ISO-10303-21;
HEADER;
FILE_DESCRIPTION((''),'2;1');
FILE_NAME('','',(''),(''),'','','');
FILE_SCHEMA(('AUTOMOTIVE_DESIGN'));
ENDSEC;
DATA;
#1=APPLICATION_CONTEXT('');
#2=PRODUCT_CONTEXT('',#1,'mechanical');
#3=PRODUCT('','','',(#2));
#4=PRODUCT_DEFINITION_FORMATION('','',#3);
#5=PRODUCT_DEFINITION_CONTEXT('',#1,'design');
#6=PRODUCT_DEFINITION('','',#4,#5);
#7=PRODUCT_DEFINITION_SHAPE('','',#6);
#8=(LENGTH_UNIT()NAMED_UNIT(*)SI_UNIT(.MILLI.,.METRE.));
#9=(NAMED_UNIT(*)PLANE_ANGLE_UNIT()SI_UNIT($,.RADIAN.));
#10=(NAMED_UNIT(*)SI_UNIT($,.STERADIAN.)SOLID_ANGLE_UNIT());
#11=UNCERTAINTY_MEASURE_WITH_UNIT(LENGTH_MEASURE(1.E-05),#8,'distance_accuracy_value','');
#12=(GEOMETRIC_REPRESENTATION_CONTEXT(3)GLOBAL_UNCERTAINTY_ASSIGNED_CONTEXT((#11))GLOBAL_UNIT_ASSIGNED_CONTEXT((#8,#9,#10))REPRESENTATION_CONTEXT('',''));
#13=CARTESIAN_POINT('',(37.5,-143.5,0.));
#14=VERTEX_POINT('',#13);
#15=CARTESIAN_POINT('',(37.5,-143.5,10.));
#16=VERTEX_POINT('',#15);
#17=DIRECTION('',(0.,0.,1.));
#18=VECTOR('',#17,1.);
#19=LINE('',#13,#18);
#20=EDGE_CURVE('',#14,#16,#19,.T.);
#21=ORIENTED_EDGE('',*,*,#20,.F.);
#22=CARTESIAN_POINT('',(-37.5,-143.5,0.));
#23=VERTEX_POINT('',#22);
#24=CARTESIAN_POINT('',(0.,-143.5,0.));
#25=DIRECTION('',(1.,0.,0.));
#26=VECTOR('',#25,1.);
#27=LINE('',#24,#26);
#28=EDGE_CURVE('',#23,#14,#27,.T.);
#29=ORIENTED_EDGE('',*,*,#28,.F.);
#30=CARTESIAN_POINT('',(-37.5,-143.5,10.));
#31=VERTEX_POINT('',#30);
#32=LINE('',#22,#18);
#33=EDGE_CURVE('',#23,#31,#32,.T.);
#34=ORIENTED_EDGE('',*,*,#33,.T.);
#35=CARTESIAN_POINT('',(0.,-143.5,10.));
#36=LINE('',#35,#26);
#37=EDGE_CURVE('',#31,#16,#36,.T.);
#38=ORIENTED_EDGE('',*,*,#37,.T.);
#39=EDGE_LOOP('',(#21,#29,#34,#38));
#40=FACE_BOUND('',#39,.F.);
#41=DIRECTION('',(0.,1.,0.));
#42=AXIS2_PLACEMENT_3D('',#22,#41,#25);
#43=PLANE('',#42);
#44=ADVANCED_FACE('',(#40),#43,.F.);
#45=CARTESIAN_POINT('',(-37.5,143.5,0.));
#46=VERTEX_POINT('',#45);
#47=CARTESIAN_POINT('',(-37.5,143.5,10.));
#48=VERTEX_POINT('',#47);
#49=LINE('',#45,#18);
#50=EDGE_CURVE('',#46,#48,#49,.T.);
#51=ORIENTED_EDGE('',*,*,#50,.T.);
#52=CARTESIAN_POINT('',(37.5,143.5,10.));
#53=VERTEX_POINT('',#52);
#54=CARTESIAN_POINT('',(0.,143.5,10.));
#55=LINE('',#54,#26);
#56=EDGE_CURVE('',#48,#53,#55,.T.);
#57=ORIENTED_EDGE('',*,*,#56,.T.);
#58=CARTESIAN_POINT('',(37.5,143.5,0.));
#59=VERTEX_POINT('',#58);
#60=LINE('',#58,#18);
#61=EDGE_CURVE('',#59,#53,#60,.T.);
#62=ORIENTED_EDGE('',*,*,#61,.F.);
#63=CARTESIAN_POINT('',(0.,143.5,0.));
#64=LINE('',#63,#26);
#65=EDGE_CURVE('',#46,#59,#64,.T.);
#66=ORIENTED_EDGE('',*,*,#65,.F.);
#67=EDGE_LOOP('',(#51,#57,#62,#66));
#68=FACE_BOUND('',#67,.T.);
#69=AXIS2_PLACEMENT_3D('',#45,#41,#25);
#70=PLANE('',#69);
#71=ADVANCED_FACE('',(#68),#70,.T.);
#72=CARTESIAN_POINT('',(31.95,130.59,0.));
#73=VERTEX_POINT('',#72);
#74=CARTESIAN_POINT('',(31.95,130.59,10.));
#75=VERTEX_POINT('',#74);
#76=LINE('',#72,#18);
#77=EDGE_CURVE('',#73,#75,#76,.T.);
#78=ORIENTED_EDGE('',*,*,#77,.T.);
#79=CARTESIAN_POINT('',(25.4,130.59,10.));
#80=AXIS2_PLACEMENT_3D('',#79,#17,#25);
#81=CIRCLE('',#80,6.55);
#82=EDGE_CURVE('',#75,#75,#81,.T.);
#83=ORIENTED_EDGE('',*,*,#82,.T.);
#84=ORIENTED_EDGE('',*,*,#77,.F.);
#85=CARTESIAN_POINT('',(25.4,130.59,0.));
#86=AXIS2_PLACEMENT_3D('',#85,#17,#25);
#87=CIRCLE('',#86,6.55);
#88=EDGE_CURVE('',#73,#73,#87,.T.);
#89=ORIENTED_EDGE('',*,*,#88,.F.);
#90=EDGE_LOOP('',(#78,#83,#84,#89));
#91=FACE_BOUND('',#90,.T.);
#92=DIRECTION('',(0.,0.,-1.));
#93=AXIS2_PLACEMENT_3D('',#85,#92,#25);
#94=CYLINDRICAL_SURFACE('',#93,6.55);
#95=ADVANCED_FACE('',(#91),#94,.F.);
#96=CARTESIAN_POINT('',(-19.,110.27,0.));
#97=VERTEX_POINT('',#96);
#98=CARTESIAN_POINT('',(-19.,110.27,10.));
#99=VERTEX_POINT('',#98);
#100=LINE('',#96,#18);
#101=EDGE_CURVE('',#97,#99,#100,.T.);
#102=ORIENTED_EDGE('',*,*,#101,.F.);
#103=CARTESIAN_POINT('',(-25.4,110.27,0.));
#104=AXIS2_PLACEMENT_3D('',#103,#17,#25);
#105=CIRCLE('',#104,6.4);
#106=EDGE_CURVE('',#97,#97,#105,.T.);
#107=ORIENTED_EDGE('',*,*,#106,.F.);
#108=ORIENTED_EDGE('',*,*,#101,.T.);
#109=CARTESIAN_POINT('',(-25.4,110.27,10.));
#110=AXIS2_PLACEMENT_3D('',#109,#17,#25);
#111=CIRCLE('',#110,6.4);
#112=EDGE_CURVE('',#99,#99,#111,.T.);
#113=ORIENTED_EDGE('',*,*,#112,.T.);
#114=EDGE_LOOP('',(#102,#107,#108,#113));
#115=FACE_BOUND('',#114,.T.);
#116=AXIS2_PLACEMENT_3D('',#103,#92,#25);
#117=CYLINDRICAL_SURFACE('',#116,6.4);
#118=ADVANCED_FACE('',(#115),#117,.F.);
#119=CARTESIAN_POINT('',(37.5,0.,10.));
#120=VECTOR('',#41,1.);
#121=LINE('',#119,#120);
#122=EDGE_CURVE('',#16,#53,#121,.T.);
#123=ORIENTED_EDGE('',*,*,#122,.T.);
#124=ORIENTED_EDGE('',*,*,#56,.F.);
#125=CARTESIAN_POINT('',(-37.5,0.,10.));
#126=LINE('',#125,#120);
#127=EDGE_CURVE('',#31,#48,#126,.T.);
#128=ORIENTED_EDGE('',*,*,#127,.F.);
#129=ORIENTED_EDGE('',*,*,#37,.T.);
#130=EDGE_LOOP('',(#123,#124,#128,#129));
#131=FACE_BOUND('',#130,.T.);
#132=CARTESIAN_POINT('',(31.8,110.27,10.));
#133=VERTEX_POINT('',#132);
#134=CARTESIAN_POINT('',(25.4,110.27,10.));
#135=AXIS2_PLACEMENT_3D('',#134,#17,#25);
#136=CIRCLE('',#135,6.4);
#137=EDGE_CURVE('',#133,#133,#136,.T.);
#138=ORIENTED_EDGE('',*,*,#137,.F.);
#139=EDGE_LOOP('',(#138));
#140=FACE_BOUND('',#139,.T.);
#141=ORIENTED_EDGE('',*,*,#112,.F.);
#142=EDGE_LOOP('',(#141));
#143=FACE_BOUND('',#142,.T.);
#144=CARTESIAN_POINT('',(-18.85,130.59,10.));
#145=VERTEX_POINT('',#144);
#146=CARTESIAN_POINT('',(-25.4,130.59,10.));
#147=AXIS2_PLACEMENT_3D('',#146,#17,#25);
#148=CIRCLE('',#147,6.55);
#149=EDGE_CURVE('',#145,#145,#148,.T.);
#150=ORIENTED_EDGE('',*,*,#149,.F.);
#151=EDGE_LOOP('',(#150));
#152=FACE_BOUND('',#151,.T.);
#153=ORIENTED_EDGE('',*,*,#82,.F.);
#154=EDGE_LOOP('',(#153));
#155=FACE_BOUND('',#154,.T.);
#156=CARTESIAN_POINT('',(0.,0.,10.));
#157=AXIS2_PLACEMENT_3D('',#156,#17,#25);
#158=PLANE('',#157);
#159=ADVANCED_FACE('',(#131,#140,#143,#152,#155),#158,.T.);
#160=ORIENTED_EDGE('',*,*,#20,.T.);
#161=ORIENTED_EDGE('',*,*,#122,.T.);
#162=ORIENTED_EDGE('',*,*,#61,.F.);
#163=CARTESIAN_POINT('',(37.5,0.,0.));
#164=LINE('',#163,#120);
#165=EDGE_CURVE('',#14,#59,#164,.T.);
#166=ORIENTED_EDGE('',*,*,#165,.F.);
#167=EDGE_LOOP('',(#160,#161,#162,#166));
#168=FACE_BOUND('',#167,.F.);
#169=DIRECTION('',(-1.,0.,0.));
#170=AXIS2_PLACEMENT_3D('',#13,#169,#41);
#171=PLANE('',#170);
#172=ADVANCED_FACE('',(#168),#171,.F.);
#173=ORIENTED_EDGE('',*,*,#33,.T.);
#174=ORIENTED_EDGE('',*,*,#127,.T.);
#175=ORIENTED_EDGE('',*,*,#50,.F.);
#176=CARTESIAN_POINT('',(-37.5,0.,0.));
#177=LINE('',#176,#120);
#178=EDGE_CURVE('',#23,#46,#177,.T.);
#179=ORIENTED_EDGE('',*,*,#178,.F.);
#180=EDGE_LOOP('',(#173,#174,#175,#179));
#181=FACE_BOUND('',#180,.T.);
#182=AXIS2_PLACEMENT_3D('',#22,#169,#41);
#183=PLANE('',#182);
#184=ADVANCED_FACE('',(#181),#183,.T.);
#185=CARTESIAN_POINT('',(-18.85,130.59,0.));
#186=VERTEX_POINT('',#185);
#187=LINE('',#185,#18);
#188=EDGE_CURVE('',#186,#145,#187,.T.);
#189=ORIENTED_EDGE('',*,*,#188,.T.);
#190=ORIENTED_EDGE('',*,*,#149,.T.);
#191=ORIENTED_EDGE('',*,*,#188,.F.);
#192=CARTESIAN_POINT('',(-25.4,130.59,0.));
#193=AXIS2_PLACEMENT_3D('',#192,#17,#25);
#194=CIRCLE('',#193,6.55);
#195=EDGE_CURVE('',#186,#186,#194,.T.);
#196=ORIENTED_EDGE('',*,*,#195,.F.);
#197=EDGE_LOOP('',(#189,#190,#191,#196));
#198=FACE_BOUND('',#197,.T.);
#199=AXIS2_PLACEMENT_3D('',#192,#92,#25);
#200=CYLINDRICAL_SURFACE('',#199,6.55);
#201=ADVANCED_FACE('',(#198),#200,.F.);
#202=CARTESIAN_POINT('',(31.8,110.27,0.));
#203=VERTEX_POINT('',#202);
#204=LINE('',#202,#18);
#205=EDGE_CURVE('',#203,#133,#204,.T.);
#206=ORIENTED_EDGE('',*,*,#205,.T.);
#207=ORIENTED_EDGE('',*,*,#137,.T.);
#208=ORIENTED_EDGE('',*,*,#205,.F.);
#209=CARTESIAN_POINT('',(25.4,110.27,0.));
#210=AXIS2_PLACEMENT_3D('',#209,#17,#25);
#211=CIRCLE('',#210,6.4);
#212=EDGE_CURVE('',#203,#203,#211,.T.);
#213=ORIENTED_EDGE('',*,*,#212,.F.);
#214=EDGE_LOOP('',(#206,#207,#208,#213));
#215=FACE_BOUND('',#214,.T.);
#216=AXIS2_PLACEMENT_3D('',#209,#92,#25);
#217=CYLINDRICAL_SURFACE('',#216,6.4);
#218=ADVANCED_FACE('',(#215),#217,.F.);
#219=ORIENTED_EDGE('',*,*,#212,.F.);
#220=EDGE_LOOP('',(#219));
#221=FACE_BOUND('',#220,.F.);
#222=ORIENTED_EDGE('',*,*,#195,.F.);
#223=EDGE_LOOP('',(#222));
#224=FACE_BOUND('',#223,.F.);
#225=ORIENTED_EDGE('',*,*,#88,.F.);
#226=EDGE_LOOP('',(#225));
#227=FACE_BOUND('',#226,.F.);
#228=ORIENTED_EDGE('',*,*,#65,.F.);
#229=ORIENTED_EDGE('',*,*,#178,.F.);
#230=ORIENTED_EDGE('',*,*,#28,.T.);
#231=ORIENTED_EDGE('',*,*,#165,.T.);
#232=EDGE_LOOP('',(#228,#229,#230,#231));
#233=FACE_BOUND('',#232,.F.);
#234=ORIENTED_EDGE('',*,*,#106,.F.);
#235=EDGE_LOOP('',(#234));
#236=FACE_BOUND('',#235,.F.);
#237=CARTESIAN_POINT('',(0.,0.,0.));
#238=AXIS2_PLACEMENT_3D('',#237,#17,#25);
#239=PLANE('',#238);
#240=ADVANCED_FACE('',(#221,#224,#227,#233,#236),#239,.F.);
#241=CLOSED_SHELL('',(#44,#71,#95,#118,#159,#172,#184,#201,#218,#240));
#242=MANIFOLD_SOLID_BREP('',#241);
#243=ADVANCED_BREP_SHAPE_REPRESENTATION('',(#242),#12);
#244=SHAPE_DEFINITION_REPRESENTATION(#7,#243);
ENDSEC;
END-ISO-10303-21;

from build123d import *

# Parameters (mm, degrees)
F0_W     = 75
F0_H     = 287
F0_R     = 6.4
F0_R_2   = 6.55
F1_DEPTH = 10


with BuildPart() as f1:
    # F0 (on Top) → F1 (new body)
    with BuildSketch(Plane.XY):
        Rectangle(F0_W, F0_H)
        with Locations((-25.4, 110.27)):
            Circle(F0_R, mode=Mode.SUBTRACT)
        with Locations((-25.4, 130.59)):
            Circle(F0_R_2, mode=Mode.SUBTRACT)
        with Locations((25.4, 110.27)):
            Circle(F0_R, mode=Mode.SUBTRACT)
        with Locations((25.4, 130.59)):
            Circle(F0_R_2, mode=Mode.SUBTRACT)
    extrude(amount=F1_DEPTH)


solid = f1.part
